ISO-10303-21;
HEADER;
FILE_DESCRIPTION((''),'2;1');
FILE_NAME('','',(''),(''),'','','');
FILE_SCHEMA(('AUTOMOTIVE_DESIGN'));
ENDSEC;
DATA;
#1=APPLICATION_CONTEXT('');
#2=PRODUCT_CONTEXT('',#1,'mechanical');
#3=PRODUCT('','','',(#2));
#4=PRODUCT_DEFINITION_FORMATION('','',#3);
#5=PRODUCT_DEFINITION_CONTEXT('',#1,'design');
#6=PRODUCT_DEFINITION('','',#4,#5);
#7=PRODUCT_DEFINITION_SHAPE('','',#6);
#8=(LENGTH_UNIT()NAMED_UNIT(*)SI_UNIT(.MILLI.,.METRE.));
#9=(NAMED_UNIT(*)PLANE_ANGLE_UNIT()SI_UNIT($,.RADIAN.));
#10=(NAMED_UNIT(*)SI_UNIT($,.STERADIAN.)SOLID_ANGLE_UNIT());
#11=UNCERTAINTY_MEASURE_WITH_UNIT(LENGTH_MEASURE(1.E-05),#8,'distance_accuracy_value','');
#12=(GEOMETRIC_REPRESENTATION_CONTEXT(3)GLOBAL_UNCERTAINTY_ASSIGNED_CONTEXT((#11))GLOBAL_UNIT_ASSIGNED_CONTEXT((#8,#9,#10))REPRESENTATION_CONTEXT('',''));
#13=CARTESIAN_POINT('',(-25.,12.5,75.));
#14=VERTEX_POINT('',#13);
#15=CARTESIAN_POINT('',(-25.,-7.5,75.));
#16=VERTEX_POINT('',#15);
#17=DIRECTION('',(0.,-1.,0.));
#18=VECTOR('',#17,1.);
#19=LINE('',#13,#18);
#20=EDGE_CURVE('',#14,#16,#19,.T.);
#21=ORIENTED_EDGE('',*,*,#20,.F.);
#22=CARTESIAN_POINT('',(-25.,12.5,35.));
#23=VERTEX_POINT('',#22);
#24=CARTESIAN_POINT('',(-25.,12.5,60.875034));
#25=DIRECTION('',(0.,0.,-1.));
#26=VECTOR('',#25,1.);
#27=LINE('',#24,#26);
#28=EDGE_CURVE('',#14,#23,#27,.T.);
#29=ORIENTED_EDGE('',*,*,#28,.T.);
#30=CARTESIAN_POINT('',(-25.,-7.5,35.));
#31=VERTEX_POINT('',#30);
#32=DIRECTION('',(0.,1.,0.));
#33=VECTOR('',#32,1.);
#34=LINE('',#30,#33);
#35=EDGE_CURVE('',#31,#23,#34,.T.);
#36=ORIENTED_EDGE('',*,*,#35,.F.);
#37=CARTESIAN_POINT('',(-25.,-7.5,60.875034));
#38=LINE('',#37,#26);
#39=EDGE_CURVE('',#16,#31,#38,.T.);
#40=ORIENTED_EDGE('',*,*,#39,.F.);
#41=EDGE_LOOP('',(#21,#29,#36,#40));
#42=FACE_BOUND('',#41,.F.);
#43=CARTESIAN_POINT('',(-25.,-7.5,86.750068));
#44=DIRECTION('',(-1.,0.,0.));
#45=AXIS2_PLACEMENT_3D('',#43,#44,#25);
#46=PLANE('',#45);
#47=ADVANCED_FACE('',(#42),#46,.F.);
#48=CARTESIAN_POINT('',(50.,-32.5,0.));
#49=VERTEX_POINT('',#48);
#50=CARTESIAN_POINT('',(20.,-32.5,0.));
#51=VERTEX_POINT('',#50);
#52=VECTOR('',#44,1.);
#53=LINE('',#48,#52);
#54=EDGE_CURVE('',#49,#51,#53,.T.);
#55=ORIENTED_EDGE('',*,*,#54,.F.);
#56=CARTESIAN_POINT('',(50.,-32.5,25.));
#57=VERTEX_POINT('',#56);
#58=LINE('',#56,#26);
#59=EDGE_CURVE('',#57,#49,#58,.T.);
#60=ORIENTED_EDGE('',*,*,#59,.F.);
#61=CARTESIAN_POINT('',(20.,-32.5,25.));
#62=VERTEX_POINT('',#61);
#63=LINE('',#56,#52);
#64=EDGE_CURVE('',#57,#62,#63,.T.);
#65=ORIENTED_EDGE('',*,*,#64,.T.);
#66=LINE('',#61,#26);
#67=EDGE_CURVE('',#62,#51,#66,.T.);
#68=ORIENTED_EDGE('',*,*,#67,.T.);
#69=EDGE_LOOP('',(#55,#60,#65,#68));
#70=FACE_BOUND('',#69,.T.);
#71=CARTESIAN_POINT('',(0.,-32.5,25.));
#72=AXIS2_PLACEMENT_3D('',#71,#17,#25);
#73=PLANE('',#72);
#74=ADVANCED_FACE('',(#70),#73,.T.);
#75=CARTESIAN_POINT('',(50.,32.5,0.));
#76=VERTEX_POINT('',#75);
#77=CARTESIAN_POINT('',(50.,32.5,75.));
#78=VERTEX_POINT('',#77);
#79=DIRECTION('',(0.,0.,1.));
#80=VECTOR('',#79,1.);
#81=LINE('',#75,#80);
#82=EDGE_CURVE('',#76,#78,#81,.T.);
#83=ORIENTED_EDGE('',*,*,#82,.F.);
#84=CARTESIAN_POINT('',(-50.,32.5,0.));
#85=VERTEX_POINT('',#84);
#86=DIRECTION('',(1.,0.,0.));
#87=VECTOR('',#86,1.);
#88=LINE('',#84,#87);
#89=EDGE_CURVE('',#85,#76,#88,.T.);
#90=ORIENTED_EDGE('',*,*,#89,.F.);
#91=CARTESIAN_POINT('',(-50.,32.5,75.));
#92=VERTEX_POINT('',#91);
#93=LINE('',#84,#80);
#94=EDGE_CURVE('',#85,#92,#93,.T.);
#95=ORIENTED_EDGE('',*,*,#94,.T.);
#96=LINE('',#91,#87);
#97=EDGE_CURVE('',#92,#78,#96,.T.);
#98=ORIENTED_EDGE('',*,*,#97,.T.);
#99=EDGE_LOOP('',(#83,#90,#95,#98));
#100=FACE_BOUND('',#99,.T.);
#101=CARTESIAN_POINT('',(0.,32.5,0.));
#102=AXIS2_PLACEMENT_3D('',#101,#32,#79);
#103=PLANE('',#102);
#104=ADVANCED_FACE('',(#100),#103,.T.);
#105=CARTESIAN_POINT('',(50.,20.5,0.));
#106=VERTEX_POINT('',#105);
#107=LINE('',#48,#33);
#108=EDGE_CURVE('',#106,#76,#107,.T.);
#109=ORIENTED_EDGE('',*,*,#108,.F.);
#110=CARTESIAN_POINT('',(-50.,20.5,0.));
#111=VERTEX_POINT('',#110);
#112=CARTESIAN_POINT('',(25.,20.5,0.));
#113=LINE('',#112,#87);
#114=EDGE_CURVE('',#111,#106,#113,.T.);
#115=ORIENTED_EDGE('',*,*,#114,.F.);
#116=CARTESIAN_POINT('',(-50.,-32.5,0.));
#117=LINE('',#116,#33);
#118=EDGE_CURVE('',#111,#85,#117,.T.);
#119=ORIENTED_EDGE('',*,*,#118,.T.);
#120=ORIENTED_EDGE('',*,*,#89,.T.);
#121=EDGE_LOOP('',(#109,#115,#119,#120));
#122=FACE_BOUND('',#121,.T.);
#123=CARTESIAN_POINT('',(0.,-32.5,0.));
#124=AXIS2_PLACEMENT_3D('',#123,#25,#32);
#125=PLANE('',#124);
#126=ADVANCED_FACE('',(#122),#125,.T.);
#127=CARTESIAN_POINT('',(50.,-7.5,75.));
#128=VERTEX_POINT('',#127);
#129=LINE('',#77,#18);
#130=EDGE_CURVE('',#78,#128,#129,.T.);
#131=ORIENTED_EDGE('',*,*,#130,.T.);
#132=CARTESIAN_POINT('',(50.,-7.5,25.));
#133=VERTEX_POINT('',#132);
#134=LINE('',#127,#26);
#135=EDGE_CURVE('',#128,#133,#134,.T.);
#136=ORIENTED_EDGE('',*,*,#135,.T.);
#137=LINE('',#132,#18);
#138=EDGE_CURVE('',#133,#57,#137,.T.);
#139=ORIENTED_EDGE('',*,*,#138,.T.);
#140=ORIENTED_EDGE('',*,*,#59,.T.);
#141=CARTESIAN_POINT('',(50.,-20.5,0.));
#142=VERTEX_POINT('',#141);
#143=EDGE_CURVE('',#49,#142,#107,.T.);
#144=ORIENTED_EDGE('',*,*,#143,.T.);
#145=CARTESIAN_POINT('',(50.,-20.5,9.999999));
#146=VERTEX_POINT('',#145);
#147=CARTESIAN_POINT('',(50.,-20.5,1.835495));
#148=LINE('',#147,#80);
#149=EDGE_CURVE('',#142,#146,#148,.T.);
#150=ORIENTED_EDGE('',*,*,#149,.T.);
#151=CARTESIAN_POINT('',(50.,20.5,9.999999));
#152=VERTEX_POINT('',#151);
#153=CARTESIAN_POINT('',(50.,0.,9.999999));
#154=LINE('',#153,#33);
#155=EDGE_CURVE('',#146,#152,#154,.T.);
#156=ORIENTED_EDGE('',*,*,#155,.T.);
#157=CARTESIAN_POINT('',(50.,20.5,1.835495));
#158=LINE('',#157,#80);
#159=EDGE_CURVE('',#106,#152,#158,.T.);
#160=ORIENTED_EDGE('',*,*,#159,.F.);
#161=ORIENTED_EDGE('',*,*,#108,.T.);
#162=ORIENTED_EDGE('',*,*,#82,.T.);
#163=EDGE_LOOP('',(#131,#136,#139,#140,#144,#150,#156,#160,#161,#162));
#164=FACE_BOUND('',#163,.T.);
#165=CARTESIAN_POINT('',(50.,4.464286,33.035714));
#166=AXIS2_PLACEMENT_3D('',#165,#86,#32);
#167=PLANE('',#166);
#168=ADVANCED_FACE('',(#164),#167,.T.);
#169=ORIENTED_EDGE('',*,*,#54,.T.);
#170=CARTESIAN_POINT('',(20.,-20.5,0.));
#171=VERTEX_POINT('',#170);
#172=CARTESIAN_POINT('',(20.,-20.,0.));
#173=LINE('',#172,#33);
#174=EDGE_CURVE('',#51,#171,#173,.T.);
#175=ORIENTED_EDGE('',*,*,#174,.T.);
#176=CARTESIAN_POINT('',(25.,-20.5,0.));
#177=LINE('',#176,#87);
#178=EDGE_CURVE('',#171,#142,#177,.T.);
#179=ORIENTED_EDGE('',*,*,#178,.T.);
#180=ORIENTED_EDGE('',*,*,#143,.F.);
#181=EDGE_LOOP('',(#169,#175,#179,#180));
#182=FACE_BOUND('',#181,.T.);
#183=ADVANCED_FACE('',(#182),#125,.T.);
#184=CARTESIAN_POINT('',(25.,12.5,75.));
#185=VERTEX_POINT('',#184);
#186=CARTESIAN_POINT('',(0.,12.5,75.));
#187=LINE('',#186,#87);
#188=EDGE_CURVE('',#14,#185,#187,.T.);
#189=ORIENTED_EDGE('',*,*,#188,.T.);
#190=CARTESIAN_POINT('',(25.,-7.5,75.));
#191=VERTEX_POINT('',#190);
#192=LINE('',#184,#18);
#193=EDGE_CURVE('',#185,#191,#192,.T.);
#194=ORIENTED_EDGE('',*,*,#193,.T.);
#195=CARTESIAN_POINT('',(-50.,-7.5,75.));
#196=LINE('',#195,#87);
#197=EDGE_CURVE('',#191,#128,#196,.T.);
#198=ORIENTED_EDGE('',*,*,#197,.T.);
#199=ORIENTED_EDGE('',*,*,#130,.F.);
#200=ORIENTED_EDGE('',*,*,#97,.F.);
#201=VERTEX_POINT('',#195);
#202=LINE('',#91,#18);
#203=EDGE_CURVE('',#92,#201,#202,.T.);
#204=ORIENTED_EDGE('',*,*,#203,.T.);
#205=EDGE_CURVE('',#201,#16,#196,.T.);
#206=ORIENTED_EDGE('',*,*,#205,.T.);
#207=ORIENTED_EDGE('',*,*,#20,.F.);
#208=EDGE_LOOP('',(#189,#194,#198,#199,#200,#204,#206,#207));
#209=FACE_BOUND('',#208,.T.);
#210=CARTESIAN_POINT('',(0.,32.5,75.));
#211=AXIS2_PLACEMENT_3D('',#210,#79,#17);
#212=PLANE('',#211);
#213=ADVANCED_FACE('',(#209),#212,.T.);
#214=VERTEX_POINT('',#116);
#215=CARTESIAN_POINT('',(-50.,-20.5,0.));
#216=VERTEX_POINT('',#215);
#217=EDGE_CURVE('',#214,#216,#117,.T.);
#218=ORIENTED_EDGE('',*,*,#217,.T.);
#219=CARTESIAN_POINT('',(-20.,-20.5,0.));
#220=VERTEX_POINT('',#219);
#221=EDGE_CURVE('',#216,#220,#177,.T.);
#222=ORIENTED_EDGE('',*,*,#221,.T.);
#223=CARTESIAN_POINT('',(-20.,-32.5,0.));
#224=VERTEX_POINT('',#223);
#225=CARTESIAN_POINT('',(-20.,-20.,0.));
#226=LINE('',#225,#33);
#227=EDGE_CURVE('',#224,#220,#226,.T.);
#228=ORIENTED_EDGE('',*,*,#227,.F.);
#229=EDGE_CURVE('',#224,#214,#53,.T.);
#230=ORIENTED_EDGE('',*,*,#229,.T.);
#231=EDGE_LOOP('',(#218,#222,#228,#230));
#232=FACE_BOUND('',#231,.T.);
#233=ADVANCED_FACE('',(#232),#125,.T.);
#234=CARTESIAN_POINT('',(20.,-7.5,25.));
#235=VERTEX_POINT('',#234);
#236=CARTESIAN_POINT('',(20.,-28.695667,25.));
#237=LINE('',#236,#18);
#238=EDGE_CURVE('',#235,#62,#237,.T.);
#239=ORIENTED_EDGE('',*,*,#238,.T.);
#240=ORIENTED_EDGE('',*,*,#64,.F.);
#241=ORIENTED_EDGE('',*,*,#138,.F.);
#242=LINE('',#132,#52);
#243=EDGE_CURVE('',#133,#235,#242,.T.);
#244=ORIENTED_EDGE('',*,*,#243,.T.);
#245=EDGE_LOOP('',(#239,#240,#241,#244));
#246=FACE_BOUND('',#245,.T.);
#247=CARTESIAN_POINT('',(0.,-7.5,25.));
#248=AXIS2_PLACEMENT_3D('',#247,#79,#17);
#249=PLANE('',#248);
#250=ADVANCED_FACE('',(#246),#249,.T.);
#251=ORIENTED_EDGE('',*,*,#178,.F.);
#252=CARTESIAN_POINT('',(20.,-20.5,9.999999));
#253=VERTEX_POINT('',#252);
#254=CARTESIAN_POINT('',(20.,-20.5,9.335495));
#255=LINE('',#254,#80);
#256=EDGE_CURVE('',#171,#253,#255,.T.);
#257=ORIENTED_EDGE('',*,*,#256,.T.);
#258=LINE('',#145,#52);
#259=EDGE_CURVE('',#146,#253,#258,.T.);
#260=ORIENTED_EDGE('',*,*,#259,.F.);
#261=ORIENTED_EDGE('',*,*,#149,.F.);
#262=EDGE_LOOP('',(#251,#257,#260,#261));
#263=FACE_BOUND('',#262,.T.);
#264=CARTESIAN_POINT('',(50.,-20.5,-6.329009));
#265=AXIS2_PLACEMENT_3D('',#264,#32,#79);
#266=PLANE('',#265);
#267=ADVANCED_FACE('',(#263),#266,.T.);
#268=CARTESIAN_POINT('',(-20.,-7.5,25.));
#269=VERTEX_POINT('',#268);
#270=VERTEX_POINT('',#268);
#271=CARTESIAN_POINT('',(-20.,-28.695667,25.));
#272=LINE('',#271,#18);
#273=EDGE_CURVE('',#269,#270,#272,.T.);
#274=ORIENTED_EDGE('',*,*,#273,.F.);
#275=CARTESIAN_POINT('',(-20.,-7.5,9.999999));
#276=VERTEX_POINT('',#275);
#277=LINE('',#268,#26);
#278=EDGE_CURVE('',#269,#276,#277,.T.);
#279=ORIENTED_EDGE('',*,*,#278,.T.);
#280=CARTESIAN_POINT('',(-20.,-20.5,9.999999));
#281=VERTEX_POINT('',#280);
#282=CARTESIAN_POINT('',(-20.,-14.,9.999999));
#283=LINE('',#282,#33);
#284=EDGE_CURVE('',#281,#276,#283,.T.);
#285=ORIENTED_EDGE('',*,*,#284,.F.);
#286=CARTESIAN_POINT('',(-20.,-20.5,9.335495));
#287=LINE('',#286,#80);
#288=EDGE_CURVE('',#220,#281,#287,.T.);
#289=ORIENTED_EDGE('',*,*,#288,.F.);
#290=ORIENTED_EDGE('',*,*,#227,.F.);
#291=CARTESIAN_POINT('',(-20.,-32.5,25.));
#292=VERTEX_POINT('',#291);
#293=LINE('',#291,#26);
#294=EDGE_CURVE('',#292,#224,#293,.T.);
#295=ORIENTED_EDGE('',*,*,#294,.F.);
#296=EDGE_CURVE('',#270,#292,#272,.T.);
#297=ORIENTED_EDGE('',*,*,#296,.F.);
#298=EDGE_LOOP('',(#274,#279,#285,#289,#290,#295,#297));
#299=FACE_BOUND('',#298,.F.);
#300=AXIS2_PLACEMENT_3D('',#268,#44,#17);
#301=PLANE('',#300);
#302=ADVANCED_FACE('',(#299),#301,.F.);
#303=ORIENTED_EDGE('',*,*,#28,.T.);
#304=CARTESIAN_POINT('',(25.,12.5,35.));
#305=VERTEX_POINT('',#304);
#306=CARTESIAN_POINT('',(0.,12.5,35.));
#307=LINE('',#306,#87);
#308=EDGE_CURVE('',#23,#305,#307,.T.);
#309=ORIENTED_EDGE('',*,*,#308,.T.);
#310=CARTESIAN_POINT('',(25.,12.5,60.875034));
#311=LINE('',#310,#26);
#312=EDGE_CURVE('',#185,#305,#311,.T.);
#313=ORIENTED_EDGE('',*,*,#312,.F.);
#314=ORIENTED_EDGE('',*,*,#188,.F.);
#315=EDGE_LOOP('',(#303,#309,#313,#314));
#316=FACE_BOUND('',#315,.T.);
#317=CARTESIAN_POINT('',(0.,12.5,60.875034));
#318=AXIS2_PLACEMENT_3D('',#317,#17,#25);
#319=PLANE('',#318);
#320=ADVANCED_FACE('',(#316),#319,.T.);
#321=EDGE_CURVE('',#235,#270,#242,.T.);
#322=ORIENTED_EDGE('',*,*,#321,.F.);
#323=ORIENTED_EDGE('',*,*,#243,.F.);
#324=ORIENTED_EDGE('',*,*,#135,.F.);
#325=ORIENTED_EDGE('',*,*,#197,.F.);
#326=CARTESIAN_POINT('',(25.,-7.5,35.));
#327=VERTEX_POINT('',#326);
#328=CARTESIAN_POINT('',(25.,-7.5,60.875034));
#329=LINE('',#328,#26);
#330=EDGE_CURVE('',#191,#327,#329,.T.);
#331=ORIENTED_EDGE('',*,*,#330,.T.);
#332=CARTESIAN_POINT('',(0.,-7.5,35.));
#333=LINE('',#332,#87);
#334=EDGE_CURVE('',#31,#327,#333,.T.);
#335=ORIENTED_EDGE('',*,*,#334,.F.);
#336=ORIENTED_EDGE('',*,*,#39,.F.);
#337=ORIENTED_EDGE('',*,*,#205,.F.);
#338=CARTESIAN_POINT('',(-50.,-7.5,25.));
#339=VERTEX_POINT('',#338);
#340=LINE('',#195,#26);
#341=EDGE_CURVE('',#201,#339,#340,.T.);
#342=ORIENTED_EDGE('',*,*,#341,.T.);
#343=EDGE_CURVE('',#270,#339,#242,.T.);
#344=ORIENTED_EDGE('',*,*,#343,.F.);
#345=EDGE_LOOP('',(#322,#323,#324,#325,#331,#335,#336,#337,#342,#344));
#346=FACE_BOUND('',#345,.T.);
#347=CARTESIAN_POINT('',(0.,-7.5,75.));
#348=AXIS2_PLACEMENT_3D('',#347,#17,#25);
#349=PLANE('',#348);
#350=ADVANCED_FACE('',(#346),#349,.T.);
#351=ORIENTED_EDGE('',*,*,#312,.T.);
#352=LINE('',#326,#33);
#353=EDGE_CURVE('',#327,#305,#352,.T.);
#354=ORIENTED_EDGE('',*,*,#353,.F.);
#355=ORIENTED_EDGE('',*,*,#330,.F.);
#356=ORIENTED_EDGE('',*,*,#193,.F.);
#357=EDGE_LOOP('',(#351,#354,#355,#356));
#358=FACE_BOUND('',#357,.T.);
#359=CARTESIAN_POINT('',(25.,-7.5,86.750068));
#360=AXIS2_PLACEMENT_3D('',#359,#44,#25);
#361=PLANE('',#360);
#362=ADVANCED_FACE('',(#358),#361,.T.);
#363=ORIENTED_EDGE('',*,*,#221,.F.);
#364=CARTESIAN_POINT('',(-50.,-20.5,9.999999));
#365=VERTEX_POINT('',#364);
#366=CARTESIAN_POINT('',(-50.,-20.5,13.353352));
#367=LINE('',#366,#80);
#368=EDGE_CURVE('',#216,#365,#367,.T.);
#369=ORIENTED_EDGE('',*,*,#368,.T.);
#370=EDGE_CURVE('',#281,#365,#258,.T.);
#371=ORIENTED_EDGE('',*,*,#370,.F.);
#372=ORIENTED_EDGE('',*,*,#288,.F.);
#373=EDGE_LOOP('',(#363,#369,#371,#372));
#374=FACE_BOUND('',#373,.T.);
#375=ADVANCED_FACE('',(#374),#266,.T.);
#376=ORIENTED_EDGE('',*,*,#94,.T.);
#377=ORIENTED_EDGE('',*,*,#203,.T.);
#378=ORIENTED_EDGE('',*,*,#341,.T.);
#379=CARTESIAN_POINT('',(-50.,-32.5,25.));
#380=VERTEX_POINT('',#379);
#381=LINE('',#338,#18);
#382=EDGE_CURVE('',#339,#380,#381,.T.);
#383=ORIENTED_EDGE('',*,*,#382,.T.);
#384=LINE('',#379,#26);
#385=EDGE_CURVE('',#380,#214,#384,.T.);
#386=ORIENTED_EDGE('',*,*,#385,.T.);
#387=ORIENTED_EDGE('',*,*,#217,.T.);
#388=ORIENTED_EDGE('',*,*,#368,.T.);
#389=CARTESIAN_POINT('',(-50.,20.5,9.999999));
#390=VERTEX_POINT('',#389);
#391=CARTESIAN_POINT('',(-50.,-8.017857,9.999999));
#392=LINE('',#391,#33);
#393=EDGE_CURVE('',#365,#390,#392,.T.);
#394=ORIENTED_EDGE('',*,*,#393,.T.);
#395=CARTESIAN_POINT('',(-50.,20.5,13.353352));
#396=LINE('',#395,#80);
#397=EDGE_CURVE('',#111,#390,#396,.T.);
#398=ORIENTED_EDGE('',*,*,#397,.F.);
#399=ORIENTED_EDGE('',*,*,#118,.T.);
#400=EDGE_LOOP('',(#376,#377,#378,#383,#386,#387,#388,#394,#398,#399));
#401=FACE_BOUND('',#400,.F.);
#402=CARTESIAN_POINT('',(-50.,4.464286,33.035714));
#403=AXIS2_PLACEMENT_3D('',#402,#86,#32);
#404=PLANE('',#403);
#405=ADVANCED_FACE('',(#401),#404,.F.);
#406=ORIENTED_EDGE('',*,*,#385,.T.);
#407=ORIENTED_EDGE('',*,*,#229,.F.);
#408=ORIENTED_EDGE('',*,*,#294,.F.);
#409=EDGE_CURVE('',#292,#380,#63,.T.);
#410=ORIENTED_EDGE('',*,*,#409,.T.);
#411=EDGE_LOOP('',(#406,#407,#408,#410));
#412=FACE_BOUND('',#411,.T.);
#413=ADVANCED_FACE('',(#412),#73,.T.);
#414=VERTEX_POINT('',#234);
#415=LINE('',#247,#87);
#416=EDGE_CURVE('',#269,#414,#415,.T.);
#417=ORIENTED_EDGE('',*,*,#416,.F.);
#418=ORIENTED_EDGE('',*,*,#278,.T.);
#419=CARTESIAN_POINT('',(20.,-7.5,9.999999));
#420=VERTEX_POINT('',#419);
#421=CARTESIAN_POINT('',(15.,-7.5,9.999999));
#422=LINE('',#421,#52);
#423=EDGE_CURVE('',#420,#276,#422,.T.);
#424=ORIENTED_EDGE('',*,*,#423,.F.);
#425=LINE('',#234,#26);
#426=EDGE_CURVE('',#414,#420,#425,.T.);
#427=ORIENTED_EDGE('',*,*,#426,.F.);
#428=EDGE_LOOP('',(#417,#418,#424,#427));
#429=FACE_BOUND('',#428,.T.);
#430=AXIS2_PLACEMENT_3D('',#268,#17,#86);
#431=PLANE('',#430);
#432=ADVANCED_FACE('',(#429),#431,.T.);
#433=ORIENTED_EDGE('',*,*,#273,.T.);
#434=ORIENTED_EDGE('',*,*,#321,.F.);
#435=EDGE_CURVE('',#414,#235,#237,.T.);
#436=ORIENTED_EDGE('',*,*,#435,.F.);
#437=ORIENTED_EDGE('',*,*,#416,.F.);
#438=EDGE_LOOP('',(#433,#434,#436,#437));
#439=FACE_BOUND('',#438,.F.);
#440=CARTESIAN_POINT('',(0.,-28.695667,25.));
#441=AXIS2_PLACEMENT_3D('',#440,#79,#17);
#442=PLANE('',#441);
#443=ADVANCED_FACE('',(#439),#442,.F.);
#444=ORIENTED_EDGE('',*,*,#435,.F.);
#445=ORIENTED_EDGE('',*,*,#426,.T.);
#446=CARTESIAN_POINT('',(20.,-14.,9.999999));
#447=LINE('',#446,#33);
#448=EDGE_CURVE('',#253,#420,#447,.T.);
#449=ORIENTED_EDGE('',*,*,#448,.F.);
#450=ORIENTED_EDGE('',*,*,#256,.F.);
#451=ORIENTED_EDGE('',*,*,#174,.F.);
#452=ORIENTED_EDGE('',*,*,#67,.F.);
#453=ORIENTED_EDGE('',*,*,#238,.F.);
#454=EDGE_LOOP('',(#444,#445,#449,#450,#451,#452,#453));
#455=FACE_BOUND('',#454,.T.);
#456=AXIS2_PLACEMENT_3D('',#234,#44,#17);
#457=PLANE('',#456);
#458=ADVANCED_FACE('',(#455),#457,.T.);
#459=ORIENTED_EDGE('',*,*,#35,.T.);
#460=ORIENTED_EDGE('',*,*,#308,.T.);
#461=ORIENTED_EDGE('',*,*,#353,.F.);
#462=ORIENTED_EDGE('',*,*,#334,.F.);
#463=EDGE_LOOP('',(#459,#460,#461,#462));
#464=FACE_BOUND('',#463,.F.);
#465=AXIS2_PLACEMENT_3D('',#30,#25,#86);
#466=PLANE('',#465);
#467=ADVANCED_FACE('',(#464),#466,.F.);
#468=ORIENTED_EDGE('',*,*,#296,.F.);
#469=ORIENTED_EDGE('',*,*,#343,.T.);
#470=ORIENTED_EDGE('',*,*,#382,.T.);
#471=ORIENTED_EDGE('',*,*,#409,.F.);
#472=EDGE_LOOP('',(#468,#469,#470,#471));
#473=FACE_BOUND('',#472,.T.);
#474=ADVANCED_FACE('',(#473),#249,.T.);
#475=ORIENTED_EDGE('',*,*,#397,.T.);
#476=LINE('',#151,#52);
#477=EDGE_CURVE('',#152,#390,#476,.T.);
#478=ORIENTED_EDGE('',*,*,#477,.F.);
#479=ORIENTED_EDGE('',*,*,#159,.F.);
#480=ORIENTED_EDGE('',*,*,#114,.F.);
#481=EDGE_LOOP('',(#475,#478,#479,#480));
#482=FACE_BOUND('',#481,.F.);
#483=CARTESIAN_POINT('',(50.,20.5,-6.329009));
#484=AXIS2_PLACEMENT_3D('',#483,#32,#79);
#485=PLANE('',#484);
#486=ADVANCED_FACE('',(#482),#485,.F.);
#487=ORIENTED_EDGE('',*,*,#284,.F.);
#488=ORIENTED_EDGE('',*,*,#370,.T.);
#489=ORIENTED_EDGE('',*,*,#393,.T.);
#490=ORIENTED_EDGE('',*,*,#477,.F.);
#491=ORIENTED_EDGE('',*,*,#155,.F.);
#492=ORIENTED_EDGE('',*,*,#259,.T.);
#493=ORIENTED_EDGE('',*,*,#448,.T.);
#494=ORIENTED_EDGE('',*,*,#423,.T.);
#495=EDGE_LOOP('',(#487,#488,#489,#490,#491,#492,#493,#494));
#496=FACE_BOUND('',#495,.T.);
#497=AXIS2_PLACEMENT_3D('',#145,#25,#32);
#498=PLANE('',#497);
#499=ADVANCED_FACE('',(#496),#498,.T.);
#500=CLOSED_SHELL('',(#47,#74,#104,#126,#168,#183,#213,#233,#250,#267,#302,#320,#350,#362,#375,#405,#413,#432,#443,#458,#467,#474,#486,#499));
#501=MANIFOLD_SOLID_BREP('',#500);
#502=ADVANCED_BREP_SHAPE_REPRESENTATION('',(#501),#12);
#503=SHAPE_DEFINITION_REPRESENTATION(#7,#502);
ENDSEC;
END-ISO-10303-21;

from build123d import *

# Parameters (mm, degrees)
PAD_DEPTH       = 50
SKETCH001_W     = 41
SKETCH001_H     = 16.329009
POCKET_DEPTH    = 100.001
SKETCH002_W     = 51.750069
SKETCH002_H     = 50
POCKET001_DEPTH = 20
SKETCH003_W     = 42.391335
SKETCH003_H     = 40
POCKET002_DEPTH = 25.001


with BuildPart() as part:
    # Sketch → Pad (new body, symmetric)
    with BuildSketch(Plane.YZ):
        Polygon((-32.5, 0), (32.5, 0), (32.5, 75), (-7.5, 75), (-7.5, 25), (-32.5, 25), align=None)
    extrude(amount=PAD_DEPTH, both=True)

    # Sketch001 → Pocket (cut, through all)
    with BuildSketch(Plane.YZ.offset(50)):
        with Locations((0, 1.835495)):
            Rectangle(SKETCH001_W, SKETCH001_H)
    extrude(amount=-POCKET_DEPTH, mode=Mode.SUBTRACT)

    # Sketch002 → Pocket001 (cut)
    with BuildSketch(Plane(origin=(0, -7.5, 0), x_dir=(0, 0, -1), z_dir=(0, -1, 0))):
        with Locations((-60.875034, 0)):
            Rectangle(SKETCH002_W, SKETCH002_H)
    extrude(amount=-POCKET001_DEPTH, mode=Mode.SUBTRACT)

    # Sketch003 → Pocket002 (cut, through all)
    with BuildSketch(Plane(origin=(0, 0, 25), x_dir=(0, -1, 0), z_dir=(0, 0, 1))):
        with Locations((28.695667, 0)):
            Rectangle(SKETCH003_W, SKETCH003_H)
    extrude(amount=-POCKET002_DEPTH, mode=Mode.SUBTRACT)


solid = part.part
